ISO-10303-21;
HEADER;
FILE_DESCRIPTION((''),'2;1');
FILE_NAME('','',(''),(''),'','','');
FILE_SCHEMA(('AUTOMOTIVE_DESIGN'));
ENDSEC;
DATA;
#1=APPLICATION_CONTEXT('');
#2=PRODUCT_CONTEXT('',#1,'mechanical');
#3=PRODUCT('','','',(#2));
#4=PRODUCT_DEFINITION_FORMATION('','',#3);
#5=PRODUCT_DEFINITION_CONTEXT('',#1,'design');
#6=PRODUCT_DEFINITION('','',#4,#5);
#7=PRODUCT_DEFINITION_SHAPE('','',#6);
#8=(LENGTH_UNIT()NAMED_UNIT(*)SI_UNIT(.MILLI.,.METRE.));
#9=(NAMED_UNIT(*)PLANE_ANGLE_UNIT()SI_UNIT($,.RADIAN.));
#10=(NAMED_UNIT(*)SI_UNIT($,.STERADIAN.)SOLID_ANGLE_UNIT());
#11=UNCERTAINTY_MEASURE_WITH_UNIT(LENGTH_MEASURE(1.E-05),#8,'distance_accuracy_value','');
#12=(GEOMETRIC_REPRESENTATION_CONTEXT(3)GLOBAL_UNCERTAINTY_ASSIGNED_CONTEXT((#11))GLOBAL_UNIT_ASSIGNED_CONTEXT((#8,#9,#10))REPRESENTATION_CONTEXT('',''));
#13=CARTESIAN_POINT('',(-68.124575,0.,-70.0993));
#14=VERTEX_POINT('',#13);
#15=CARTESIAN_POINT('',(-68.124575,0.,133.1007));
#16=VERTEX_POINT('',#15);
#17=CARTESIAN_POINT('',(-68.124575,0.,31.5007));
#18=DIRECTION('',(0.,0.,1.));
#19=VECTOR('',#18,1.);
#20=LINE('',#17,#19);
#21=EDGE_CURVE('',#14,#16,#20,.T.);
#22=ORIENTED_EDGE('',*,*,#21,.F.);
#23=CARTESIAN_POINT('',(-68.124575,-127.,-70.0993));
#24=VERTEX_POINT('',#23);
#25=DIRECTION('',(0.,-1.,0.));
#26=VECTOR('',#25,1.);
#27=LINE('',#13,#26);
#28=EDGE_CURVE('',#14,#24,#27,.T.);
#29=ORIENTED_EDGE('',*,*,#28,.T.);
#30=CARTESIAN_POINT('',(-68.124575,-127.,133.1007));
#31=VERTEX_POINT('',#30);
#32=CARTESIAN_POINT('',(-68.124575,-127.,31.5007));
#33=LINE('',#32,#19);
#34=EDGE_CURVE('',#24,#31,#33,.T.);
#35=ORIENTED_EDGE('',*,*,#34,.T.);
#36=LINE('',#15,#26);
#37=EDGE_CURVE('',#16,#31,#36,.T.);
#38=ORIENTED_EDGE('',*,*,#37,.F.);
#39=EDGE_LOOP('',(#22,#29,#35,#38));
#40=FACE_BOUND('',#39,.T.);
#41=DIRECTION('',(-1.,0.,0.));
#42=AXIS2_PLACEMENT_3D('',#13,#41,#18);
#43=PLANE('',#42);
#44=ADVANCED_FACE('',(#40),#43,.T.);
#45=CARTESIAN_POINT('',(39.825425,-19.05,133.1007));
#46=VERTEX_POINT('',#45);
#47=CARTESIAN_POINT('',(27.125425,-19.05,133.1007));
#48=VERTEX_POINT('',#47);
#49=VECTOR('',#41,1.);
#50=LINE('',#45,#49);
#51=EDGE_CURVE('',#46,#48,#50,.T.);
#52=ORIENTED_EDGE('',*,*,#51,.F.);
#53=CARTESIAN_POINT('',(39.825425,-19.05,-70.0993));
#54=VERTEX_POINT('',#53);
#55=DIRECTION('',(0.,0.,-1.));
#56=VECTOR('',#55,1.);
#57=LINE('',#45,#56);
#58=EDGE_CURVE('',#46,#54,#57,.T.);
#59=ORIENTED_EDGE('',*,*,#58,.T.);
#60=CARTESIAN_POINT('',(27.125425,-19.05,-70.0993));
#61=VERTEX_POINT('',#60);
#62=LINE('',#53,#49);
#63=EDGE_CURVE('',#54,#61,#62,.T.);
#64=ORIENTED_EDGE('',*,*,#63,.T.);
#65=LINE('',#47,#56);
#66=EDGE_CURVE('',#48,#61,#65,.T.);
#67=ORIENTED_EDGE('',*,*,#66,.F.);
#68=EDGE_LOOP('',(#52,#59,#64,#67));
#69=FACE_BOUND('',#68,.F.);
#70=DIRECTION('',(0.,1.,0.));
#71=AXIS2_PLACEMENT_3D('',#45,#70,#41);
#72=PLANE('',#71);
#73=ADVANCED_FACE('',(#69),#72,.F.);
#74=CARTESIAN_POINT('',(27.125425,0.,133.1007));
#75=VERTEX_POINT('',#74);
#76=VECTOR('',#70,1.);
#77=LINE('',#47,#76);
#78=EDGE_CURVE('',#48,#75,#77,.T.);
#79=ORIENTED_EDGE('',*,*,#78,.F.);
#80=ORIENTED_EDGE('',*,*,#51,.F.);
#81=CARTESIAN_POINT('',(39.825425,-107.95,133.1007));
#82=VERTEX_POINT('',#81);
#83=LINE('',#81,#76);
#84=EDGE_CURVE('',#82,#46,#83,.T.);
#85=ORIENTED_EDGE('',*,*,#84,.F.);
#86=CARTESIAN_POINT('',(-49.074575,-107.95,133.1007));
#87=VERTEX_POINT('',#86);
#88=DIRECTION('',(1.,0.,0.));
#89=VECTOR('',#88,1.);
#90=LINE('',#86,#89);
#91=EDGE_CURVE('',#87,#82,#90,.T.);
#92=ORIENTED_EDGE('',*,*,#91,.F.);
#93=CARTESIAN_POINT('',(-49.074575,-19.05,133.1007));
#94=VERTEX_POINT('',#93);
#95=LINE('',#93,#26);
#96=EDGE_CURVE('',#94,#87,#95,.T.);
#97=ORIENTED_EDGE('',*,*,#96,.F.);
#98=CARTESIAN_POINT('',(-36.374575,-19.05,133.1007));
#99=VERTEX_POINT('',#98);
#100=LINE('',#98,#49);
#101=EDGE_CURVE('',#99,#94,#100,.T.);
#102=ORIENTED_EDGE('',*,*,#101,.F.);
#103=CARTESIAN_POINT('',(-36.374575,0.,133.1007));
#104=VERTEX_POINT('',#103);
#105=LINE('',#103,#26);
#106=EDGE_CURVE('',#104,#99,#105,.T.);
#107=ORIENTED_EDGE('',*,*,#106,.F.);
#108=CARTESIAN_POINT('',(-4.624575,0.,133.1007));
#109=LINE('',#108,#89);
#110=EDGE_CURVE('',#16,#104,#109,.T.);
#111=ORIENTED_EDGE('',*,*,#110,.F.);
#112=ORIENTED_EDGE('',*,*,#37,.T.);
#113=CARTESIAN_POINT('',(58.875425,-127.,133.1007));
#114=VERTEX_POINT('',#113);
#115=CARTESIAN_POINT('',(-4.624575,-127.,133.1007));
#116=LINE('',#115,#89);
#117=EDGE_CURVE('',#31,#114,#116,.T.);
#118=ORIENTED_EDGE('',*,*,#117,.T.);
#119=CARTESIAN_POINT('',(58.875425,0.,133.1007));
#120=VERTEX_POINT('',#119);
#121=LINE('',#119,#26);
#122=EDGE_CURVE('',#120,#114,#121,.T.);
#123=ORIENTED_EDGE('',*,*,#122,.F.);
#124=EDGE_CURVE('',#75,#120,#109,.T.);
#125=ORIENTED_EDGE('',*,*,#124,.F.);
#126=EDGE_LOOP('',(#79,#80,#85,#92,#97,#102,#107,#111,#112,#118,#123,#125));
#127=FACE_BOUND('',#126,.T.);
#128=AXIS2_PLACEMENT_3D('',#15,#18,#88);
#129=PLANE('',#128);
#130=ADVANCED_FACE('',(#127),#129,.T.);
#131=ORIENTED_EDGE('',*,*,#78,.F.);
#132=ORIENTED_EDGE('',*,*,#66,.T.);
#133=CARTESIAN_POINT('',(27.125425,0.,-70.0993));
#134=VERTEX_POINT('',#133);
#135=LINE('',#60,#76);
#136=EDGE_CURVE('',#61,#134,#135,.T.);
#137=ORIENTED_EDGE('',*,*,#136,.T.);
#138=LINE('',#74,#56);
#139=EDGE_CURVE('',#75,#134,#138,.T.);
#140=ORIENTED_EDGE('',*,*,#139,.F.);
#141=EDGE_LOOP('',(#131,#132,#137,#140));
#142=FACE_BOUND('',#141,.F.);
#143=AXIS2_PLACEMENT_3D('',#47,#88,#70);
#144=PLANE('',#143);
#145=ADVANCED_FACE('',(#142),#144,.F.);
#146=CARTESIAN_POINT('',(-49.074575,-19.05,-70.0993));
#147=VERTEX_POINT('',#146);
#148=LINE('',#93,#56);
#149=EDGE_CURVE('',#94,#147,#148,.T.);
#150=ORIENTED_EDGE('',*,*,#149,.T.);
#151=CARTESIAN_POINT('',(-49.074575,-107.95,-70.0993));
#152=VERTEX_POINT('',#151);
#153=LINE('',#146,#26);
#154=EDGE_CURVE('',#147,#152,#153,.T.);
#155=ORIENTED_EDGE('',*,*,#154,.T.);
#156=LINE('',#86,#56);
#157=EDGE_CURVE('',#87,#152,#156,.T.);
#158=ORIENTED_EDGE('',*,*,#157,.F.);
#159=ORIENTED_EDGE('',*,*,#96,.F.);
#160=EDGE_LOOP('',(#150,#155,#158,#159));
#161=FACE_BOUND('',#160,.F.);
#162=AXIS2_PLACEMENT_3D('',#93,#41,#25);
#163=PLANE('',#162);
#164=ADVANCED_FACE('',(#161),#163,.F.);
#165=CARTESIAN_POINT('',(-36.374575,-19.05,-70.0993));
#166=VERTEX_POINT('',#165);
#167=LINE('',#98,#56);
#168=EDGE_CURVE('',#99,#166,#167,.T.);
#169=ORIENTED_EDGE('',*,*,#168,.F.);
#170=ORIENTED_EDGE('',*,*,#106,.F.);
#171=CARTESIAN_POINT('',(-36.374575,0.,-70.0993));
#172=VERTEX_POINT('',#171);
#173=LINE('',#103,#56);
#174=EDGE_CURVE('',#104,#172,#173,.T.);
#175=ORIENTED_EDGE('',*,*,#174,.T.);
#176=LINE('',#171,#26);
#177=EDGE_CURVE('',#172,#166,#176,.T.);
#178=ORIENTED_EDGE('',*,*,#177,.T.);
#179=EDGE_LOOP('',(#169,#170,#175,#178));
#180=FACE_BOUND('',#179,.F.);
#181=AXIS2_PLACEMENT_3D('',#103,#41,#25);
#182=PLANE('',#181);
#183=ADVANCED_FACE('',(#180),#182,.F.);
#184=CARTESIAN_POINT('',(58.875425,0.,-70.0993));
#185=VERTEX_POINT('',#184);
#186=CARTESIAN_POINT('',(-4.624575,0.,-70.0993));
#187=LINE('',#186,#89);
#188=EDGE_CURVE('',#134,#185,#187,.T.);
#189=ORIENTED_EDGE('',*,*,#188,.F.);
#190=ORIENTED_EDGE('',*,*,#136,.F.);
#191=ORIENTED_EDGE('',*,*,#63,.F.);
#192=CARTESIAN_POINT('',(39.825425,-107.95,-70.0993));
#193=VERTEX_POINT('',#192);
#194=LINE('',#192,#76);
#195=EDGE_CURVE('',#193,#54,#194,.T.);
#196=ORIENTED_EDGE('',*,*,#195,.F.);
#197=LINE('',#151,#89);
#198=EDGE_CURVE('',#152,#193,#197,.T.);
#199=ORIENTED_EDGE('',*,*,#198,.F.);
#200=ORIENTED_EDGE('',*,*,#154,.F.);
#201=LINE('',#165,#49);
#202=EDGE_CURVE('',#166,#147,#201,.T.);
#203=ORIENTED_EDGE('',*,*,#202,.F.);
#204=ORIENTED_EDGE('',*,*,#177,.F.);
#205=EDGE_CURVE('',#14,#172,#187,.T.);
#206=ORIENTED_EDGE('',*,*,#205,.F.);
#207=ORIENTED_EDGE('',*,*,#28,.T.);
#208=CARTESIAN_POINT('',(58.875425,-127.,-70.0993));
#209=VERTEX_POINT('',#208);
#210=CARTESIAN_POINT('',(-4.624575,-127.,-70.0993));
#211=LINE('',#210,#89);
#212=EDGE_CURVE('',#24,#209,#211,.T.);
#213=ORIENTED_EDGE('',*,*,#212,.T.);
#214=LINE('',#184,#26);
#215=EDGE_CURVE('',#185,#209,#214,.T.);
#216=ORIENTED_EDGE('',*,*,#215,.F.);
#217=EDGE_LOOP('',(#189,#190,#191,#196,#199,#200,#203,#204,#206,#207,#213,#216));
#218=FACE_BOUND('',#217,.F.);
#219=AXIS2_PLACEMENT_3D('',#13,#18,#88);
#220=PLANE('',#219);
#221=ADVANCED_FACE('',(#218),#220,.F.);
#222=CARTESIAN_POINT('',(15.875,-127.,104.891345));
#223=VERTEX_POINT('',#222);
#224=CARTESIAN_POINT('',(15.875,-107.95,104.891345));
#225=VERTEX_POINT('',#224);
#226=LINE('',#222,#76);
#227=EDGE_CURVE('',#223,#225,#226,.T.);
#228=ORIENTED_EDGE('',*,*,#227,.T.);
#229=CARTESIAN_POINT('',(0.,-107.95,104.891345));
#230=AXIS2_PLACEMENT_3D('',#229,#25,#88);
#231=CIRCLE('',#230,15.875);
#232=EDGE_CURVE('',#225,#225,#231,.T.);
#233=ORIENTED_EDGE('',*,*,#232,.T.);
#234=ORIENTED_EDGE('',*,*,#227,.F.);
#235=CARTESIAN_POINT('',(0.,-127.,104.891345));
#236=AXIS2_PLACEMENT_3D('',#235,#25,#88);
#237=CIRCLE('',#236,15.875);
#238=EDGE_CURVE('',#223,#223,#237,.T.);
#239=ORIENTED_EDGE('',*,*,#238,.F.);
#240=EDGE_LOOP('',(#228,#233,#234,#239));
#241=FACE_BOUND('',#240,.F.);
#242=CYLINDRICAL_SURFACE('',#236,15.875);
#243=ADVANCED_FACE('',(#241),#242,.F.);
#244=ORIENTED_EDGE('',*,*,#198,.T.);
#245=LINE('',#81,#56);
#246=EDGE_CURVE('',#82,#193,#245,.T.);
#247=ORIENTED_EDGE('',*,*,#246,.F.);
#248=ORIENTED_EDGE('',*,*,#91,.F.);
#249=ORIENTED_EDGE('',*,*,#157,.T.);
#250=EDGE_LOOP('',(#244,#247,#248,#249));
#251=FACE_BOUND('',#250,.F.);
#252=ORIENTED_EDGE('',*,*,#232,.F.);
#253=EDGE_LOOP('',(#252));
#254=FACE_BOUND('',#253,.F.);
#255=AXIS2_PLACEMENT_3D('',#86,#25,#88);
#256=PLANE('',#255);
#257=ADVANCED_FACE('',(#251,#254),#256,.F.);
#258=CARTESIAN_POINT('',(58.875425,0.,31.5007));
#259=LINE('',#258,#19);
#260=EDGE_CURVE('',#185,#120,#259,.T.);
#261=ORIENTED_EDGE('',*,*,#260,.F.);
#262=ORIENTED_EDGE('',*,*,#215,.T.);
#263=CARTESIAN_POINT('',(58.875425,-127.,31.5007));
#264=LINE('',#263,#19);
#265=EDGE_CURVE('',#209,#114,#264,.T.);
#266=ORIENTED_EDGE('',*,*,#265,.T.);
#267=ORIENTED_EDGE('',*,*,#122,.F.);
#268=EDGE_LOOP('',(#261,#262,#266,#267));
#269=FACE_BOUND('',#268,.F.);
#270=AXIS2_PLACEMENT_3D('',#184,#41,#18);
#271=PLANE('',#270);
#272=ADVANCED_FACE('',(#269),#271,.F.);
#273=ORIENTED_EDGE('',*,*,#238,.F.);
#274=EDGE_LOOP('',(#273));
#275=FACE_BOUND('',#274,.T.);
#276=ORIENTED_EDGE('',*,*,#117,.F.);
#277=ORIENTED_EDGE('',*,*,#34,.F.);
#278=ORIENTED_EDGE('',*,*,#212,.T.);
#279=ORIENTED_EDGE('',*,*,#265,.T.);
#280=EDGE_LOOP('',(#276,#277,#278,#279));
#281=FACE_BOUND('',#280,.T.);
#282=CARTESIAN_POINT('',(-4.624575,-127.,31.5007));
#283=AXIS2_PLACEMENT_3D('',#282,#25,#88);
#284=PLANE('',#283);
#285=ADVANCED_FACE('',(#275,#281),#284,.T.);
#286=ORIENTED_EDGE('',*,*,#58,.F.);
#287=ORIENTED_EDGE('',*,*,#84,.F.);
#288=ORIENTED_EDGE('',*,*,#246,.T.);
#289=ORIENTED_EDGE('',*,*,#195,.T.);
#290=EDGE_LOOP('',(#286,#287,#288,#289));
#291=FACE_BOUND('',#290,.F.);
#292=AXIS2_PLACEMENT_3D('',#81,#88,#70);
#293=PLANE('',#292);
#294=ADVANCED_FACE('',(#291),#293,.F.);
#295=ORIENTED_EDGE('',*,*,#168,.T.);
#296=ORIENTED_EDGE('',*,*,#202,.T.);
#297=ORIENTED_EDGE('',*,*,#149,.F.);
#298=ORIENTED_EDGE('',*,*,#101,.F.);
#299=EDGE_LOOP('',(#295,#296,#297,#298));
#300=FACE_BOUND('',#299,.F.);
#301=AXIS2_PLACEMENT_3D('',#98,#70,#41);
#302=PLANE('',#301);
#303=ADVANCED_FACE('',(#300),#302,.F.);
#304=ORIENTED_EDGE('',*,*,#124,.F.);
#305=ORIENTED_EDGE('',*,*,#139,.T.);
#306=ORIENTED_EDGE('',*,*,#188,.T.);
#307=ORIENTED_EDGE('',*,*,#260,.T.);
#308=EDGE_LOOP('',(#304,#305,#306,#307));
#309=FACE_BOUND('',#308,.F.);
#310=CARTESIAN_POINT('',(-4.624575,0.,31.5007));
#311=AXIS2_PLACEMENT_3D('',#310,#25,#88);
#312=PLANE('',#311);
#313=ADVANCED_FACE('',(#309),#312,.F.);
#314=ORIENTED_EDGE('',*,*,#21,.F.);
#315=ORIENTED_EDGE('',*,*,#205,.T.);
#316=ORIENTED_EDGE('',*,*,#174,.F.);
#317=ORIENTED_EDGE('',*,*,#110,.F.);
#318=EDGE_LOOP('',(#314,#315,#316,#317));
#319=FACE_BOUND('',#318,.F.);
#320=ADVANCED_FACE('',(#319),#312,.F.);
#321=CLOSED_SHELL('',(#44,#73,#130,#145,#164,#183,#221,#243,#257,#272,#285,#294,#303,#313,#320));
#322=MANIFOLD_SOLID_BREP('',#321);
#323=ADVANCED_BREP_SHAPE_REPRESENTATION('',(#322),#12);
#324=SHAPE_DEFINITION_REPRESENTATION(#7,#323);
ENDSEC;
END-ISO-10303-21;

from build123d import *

# Parameters (mm, degrees)
F0_W     = 127
F0_H     = 203.2
F1_DEPTH = 127
F3_DEPTH = 203.2
F4_R     = 15.875
F5_DEPTH = 25.4


with BuildPart() as f1:
    # F0 (on Front) → F1 (new body)
    with BuildSketch(Plane.XZ):
        with Locations((-4.624575, 31.5007)):
            Rectangle(F0_W, F0_H)
    extrude(amount=F1_DEPTH)

    # F2 (on face) → F3 (cut)
    with BuildSketch(Plane.XY.offset(133.1007)):
        Polygon((-49.074575, -107.95), (39.825425, -107.95), (39.825425, -19.05), (27.125425, -19.05), (27.125425, 0), (-36.374575, 0), (-36.374575, -19.05), (-49.074575, -19.05), align=None)
    extrude(amount=-F3_DEPTH, mode=Mode.SUBTRACT)

    # F4 (on face) → F5 (cut)
    with BuildSketch(Plane.XZ.offset(127)):
        with Locations((0, 104.891345)):
            Circle(F4_R)
    extrude(amount=-F5_DEPTH, mode=Mode.SUBTRACT)


solid = f1.part
